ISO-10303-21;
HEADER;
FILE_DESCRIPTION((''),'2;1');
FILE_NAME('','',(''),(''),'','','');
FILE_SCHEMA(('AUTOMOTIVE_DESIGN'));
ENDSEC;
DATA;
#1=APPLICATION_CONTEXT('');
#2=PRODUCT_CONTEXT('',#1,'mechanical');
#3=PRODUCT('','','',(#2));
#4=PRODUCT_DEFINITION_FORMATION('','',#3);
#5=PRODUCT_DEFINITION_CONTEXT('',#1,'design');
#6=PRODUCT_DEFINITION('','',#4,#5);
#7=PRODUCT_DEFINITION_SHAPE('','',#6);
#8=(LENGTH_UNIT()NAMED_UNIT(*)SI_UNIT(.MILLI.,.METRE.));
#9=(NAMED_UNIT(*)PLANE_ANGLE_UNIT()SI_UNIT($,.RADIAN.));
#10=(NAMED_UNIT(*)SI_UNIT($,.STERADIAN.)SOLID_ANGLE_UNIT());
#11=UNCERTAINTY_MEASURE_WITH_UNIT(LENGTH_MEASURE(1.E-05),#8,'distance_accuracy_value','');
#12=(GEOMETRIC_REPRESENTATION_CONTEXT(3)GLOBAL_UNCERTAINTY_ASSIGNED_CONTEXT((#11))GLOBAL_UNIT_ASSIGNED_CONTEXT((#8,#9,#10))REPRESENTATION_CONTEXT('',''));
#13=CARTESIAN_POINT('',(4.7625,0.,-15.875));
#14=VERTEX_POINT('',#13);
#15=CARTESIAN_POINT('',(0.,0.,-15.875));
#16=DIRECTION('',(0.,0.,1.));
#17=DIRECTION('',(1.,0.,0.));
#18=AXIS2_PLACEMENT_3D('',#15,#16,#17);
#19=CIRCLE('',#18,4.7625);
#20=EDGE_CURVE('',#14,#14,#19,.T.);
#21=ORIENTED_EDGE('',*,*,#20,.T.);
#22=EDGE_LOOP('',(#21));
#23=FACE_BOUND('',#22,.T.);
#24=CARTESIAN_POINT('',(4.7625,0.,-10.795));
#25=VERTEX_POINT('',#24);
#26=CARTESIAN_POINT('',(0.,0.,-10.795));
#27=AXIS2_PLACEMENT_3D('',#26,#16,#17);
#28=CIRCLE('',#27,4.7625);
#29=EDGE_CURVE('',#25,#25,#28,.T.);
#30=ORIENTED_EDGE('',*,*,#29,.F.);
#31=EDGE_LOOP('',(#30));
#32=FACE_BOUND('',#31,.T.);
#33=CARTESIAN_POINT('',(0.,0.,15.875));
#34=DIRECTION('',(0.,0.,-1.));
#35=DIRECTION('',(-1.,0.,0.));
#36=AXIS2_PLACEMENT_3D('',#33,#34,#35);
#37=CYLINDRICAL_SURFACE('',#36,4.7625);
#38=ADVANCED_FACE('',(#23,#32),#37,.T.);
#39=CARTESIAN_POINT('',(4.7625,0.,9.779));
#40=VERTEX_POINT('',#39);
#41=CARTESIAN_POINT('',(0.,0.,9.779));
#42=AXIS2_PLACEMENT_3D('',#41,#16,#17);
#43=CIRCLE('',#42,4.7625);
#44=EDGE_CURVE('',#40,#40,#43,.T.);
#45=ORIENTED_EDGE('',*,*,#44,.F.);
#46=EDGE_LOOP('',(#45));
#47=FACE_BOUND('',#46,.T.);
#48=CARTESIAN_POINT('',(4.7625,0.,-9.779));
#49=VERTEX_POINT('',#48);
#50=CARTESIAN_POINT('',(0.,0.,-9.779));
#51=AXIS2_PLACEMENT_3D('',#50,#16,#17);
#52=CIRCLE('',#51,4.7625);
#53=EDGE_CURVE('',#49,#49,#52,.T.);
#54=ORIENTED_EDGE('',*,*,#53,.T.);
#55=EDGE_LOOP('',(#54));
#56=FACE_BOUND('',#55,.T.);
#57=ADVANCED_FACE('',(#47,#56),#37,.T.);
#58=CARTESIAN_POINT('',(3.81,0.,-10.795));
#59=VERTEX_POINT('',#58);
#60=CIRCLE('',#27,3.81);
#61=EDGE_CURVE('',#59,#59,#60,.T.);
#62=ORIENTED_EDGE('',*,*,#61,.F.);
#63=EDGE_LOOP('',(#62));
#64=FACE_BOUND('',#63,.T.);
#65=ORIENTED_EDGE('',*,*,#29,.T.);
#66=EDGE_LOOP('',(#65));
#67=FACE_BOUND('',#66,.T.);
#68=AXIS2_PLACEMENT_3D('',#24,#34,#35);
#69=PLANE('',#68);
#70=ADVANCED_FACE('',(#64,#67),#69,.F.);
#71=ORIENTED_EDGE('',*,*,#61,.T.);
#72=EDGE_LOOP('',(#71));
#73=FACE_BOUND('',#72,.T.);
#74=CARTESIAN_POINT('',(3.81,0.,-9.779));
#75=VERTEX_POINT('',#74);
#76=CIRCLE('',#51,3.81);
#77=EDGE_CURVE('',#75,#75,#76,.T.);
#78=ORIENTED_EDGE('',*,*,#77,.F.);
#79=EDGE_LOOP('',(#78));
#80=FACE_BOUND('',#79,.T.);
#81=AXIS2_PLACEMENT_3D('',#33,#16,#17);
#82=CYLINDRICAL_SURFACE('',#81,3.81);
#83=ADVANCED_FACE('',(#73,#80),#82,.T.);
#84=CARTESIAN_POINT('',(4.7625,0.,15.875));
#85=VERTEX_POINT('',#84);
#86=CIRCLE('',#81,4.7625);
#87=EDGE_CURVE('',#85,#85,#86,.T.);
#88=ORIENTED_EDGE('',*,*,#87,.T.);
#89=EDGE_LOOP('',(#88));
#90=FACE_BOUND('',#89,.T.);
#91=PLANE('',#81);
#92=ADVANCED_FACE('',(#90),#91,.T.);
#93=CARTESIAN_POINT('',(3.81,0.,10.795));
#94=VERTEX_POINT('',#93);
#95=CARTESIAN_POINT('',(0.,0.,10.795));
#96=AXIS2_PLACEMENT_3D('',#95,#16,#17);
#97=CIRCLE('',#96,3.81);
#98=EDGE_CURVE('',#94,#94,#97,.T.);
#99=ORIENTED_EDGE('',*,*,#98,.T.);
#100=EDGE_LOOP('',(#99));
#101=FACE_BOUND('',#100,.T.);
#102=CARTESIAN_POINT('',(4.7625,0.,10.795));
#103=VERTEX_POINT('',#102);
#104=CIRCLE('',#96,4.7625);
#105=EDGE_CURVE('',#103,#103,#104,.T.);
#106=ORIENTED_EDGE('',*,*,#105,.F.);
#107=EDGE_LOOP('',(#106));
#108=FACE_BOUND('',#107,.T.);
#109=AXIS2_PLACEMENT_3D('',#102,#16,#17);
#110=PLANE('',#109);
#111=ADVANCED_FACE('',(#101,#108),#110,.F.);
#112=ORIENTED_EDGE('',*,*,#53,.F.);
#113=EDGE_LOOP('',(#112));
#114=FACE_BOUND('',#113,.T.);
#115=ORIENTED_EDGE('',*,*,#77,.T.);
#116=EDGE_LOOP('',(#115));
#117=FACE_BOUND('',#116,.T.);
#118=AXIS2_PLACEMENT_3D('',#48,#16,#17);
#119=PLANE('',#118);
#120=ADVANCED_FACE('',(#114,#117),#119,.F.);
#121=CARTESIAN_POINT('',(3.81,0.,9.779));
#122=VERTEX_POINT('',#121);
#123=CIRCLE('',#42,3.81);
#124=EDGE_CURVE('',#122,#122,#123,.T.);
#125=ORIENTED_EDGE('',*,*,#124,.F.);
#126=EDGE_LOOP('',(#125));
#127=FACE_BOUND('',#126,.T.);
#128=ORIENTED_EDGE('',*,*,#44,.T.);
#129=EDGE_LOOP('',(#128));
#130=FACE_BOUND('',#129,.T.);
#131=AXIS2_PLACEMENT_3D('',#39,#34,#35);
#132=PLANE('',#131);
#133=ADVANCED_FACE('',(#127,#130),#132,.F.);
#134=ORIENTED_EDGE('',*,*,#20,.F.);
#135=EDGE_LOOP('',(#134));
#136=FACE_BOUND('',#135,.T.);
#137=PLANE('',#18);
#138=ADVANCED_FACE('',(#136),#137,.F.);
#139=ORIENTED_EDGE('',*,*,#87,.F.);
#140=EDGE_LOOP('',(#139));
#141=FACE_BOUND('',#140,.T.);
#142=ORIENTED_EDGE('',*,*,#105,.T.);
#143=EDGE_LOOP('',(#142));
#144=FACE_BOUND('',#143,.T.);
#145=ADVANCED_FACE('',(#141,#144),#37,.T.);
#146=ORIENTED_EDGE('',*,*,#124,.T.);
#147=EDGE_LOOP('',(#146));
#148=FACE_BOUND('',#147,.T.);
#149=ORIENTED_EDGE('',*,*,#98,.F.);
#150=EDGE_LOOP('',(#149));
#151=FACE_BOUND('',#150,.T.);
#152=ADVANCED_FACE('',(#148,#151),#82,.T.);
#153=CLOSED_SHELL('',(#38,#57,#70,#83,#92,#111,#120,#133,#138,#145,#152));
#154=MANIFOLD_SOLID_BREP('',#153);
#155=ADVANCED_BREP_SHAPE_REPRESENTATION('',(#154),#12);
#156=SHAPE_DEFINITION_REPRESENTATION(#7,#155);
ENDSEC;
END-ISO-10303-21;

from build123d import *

# Parameters (mm, degrees)
SKETCH1_R           = 4.7625
BOSS_EXTRUDE1_DEPTH = 15.875
SKETCH2_W           = 0.9525
SKETCH2_H           = 1.016


with BuildPart() as part:
    # Sketch1 → Boss-Extrude1 (new body, symmetric)
    with BuildSketch(Plane.XY):
        Circle(SKETCH1_R)
    extrude(amount=BOSS_EXTRUDE1_DEPTH, both=True)

    # Sketch2 → Cut-Revolve1 (revolve, cut)
    with BuildSketch(Plane(origin=(0, 0, 0), x_dir=(1, 0, 0), z_dir=(0, 1, 0))):
        with Locations((4.28625, 10.287)):
            Rectangle(SKETCH2_W, SKETCH2_H)
        with Locations((4.28625, -10.287)):
            Rectangle(SKETCH2_W, SKETCH2_H)
    revolve(axis=Axis((0, 0, 15.875), (0, 0, -1)), mode=Mode.SUBTRACT)


solid = part.part
